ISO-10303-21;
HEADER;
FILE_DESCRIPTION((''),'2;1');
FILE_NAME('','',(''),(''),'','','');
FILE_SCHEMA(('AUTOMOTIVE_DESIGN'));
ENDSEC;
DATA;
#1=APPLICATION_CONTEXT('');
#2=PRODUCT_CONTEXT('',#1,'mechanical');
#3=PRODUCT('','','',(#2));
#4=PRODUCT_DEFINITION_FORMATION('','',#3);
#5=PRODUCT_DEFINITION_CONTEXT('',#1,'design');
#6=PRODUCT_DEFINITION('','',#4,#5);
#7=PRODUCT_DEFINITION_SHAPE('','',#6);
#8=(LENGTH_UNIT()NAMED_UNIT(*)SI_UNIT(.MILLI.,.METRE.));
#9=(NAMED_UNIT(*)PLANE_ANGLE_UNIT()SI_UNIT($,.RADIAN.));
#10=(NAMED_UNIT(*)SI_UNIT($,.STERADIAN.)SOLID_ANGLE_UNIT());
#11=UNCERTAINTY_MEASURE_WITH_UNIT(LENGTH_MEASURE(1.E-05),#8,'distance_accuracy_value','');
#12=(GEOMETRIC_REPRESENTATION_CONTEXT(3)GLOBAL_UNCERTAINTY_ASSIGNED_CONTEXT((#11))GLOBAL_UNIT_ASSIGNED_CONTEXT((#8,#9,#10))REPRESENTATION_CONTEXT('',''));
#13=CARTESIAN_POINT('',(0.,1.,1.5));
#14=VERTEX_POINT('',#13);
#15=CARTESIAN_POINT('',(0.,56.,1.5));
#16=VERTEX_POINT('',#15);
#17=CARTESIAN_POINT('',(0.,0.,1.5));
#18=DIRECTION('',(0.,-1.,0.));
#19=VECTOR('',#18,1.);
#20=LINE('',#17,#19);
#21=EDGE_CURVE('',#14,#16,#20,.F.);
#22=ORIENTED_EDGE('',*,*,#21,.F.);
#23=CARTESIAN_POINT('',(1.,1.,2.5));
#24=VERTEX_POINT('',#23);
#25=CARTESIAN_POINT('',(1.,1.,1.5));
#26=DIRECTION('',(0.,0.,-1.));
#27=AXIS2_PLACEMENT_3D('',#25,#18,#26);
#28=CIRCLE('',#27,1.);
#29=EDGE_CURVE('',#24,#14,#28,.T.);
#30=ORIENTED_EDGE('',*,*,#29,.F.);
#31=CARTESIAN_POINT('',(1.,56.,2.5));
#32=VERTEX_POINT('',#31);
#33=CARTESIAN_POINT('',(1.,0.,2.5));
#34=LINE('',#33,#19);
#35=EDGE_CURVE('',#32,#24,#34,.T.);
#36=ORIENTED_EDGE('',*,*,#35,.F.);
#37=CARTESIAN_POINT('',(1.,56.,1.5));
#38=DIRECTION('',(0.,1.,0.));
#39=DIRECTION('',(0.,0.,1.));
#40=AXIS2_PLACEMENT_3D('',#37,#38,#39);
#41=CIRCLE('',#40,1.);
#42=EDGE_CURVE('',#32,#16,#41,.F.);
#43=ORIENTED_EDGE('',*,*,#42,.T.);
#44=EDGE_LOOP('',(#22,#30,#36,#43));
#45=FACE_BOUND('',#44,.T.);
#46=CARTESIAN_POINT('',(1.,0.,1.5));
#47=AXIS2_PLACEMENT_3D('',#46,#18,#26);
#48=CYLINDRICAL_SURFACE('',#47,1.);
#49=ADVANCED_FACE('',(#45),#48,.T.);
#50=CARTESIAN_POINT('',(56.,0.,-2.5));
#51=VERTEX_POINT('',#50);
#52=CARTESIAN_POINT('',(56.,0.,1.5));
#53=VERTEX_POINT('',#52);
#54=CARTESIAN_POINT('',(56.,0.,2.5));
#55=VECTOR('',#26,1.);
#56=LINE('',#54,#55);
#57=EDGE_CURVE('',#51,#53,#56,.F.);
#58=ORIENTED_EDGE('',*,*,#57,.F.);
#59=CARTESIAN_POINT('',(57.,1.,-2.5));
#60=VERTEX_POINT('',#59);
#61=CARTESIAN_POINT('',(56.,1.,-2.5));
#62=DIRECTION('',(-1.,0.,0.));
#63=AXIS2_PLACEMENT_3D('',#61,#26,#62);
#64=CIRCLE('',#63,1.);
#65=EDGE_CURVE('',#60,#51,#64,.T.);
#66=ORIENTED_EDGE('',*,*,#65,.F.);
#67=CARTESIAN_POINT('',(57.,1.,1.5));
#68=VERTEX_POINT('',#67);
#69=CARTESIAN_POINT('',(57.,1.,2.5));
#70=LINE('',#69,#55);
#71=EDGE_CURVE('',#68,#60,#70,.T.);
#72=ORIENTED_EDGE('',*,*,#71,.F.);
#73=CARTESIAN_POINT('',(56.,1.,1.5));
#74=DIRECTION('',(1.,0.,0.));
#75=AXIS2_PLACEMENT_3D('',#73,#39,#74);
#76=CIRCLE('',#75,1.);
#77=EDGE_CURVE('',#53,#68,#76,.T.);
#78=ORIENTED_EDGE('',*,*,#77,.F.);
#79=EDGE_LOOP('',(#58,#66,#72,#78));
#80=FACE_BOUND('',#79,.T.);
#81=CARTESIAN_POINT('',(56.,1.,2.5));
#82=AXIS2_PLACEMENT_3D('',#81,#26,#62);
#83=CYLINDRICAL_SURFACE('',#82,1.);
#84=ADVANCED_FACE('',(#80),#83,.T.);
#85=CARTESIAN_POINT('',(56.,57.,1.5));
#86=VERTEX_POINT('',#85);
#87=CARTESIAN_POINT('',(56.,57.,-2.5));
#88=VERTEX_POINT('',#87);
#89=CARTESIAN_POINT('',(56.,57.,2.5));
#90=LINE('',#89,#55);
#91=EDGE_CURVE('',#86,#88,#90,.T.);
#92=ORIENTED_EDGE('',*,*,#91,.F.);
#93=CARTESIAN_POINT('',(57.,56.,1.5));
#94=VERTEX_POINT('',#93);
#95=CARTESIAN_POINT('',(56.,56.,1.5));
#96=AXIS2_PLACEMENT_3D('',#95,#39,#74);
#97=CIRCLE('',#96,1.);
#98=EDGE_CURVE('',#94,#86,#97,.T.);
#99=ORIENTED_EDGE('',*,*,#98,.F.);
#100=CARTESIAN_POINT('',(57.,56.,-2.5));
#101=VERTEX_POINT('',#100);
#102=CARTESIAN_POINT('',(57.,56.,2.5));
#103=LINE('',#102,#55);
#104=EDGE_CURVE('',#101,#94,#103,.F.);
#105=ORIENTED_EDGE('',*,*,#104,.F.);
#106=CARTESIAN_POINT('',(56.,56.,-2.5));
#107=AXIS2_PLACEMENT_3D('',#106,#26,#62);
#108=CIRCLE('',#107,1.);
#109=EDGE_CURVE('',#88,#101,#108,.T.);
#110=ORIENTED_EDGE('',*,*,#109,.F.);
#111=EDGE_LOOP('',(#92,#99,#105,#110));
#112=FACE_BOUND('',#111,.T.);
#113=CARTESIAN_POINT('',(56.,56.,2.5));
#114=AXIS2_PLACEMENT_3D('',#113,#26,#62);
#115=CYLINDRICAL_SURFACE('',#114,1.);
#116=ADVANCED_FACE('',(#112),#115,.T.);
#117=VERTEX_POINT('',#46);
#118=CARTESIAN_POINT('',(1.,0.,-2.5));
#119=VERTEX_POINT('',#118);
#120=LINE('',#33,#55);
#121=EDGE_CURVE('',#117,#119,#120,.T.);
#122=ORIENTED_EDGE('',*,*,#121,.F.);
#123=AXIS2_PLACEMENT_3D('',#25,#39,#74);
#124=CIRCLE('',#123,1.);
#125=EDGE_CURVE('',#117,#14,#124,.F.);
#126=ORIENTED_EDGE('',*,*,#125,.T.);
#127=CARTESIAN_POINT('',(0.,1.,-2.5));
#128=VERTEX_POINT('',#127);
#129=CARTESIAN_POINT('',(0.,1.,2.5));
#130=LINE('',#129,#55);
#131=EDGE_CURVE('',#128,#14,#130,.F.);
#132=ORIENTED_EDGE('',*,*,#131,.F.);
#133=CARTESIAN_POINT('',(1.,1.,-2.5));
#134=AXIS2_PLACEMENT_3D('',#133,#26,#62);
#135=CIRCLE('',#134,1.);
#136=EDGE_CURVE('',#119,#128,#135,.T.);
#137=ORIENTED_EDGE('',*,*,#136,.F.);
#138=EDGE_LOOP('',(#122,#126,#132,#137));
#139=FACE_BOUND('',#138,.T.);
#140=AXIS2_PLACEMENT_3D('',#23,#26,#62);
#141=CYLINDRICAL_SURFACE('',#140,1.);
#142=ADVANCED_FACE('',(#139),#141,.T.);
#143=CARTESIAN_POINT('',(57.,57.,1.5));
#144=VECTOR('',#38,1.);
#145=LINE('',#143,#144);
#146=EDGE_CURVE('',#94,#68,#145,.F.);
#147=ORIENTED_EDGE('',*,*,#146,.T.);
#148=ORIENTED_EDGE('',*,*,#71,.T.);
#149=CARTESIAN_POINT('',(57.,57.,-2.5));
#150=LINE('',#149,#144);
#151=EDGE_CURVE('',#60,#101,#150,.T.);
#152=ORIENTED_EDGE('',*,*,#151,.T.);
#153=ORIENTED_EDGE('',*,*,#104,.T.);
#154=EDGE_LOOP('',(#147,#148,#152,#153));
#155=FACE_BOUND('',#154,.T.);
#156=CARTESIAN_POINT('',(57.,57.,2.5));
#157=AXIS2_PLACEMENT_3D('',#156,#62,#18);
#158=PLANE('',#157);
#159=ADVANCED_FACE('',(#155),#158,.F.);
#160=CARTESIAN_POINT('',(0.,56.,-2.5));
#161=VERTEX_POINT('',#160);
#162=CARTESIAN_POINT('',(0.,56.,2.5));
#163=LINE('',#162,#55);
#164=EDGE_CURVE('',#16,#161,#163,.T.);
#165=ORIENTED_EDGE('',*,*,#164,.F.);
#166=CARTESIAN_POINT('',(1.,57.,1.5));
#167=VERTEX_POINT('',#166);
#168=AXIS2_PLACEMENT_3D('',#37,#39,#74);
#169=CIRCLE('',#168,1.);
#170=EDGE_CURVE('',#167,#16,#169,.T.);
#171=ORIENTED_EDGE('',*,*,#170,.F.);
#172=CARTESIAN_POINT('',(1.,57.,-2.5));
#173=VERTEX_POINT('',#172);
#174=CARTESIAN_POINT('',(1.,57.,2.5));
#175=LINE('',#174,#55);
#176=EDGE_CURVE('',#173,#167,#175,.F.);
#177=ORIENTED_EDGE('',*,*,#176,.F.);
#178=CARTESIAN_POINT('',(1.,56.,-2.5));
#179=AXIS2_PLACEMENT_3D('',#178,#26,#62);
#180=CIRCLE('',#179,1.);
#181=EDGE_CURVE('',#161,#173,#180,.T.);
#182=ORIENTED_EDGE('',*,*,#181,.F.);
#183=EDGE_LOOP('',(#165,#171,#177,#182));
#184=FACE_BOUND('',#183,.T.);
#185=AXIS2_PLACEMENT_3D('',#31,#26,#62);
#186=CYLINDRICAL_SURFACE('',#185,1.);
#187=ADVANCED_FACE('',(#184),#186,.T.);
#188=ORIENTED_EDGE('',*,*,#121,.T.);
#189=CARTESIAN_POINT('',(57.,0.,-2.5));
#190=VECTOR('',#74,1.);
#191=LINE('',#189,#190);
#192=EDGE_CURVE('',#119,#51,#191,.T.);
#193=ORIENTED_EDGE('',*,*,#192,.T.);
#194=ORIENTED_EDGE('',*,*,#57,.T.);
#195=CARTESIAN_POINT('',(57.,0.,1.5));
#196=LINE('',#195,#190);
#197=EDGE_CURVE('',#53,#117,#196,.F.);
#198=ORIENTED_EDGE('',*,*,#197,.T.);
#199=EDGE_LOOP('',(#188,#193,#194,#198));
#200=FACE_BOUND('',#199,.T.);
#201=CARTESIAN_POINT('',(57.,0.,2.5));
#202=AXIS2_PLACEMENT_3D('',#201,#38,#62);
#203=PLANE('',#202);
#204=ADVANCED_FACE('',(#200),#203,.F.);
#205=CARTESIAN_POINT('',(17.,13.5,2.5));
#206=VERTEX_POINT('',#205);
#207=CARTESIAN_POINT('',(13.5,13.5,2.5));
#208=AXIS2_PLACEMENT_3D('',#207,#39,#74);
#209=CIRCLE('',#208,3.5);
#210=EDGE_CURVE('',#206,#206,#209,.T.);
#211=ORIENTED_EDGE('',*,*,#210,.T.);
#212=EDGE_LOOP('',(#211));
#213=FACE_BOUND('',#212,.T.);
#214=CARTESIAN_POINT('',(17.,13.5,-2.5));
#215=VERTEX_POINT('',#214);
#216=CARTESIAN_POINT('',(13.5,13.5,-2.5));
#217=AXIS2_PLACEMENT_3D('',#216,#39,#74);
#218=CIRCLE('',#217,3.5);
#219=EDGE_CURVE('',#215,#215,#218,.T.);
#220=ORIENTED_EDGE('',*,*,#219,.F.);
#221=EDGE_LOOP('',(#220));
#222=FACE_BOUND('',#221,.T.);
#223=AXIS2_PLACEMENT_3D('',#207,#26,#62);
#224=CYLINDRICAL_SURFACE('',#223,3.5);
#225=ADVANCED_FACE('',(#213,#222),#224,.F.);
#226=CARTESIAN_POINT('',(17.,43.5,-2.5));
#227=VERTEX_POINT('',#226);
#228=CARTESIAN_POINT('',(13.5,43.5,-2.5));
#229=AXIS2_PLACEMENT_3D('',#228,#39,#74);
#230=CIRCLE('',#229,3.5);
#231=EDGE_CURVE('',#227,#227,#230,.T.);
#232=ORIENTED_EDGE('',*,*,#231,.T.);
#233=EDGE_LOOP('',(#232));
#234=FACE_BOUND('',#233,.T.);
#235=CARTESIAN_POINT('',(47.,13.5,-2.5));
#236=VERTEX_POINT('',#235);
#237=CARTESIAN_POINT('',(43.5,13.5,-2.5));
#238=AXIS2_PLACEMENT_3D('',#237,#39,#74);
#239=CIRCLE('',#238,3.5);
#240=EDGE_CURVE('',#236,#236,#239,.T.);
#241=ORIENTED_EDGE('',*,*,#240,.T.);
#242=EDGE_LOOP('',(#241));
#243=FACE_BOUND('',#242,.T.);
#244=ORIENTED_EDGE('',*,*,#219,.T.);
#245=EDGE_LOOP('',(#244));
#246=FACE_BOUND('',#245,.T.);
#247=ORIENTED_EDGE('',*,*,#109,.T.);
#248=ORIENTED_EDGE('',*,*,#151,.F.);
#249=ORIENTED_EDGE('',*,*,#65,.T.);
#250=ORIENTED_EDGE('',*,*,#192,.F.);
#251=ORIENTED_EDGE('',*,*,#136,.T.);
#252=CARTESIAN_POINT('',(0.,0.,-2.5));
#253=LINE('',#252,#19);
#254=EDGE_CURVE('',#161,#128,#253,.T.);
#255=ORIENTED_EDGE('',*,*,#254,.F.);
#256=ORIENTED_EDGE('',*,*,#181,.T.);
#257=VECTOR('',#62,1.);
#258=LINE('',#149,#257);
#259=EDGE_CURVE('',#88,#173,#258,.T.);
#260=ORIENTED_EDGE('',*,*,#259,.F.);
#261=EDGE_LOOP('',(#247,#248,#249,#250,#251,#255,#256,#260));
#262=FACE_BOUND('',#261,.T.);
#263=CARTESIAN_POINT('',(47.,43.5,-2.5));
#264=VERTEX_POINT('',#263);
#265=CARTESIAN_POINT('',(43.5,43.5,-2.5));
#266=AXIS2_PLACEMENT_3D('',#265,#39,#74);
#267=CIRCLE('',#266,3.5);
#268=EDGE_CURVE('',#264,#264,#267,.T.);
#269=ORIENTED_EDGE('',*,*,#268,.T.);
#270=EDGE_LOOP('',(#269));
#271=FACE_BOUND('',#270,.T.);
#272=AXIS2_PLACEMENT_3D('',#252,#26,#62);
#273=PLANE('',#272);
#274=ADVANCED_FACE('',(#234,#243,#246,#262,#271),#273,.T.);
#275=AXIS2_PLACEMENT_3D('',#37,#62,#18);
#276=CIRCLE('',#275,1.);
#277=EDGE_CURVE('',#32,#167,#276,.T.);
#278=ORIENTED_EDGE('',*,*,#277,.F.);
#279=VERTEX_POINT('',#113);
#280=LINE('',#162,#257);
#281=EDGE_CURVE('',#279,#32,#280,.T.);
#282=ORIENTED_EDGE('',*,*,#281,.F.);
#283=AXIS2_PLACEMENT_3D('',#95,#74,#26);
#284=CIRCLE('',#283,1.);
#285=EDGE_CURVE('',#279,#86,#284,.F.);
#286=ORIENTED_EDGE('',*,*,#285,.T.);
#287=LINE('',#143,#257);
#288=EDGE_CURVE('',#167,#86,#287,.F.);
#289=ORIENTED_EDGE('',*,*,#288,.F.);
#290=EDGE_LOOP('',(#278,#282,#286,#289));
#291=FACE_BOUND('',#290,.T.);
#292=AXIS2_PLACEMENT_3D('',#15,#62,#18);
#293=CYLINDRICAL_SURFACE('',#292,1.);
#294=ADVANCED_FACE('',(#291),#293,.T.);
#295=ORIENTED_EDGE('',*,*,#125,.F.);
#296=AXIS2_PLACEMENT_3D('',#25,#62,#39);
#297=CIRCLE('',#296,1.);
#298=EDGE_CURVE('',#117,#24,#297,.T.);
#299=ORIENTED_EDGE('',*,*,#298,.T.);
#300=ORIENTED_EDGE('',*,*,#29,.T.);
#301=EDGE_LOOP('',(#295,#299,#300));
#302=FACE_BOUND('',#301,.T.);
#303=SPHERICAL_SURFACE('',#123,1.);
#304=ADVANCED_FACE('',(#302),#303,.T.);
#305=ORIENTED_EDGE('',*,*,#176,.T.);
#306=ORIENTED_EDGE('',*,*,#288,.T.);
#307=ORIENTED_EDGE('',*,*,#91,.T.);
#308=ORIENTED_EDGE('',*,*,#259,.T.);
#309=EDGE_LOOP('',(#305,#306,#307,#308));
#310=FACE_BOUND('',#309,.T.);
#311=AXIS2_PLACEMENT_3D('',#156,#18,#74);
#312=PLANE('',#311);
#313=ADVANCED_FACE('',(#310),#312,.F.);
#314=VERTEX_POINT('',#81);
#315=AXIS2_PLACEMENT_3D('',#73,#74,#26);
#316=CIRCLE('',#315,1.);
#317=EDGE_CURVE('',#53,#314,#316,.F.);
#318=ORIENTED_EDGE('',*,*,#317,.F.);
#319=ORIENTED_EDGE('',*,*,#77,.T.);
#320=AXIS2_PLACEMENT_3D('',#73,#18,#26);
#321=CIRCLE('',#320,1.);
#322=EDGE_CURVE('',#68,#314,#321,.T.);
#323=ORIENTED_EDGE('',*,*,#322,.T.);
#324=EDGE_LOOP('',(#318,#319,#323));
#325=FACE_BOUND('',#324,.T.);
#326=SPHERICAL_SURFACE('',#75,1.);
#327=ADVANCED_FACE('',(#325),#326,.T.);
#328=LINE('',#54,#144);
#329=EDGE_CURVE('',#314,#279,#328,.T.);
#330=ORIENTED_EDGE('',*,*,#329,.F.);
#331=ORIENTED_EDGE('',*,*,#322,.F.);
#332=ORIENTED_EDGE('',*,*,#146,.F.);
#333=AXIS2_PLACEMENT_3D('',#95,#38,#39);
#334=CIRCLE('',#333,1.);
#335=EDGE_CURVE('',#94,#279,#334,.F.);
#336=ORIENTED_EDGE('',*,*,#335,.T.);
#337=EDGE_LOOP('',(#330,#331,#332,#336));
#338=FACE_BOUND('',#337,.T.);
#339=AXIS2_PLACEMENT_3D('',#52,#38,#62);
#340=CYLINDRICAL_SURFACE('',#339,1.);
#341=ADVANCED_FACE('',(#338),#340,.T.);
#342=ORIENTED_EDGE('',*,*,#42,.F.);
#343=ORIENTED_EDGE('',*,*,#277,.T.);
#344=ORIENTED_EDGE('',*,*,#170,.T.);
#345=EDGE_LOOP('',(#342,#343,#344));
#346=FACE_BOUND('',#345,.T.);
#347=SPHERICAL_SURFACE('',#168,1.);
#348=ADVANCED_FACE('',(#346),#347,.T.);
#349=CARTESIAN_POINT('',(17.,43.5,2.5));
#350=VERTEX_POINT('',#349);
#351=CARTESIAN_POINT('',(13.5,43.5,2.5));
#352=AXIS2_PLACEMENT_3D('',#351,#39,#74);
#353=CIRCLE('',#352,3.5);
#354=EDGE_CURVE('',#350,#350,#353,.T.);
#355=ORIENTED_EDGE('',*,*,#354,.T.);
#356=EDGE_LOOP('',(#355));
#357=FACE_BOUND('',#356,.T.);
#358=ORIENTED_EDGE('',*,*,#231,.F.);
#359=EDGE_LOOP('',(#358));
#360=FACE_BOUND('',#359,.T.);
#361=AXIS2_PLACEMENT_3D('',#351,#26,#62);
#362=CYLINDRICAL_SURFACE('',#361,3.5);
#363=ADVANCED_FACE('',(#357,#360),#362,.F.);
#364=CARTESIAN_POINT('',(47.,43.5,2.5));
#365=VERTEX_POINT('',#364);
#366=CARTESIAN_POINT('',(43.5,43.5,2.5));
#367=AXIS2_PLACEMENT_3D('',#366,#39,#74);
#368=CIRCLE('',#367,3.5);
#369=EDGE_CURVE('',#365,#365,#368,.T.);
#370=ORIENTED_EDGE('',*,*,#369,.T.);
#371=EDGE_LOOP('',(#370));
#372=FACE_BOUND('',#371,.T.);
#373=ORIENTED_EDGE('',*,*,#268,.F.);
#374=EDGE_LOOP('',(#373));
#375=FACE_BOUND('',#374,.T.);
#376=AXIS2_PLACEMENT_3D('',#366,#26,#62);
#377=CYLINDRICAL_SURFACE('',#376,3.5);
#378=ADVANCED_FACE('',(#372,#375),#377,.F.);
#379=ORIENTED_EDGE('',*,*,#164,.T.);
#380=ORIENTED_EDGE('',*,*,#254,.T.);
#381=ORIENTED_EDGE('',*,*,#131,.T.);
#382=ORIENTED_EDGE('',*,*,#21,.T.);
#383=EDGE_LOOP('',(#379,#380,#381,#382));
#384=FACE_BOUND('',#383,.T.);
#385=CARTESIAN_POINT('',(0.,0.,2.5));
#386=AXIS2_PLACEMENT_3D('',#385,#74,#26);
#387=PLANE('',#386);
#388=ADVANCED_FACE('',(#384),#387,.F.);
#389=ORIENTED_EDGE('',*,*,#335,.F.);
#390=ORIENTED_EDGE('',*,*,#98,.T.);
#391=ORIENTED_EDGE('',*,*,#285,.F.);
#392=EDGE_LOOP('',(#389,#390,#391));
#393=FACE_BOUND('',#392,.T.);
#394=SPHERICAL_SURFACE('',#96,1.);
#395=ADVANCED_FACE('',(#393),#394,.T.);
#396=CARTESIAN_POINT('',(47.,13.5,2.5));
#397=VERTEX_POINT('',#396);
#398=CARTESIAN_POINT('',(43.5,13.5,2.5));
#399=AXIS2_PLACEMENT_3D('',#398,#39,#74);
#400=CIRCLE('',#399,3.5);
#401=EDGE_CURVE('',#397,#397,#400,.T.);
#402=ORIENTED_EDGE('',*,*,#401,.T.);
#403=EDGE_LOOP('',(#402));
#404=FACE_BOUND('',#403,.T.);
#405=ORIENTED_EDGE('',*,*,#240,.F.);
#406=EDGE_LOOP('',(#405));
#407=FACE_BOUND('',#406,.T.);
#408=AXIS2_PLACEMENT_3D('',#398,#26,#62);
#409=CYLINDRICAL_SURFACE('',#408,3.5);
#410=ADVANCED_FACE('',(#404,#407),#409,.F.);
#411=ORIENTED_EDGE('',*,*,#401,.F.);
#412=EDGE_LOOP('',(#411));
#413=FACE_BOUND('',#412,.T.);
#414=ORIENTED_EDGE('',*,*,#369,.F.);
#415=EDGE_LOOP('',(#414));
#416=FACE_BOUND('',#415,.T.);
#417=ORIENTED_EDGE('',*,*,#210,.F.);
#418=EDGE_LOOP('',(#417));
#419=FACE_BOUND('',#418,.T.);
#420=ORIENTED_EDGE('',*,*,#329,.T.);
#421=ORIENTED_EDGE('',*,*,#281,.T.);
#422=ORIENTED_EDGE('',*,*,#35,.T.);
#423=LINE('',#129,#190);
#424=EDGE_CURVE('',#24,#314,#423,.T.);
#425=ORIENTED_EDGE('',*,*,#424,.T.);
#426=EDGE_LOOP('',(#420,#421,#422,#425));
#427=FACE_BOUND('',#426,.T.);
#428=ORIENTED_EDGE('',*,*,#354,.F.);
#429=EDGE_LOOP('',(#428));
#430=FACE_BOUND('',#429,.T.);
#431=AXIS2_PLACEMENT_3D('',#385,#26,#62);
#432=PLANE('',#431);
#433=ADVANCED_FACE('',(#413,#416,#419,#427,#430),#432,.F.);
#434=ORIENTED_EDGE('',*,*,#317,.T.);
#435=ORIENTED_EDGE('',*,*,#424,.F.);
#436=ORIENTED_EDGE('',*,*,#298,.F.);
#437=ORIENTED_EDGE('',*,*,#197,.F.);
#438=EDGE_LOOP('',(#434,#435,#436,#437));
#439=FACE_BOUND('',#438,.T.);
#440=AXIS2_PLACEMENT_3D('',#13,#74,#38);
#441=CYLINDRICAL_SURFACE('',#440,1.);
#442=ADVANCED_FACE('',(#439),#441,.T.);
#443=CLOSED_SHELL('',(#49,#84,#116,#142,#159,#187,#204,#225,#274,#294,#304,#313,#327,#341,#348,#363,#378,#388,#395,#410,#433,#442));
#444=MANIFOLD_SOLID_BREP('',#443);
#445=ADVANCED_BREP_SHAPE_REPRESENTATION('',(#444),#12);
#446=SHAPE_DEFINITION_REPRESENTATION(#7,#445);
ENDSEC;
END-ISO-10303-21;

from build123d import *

# Parameters (mm, degrees)
SKETCH1_W           = 57
SKETCH1_H           = 57
SKETCH1_R           = 3.5
BOSS_EXTRUDE1_DEPTH = 2.5
FILLET1_R           = 1


with BuildPart() as part:
    # Sketch1 → Boss-Extrude1 (new body, symmetric)
    with BuildSketch(Plane.XY):
        with Locations((28.5, 28.5)):
            Rectangle(SKETCH1_W, SKETCH1_H)
        with Locations((13.5, 13.5)):
            Circle(SKETCH1_R, mode=Mode.SUBTRACT)
        with Locations((43.5, 13.5)):
            Circle(SKETCH1_R, mode=Mode.SUBTRACT)
        with Locations((13.5, 43.5)):
            Circle(SKETCH1_R, mode=Mode.SUBTRACT)
        with Locations((43.5, 43.5)):
            Circle(SKETCH1_R, mode=Mode.SUBTRACT)
    extrude(amount=BOSS_EXTRUDE1_DEPTH, both=True)

    # Fillet1
    fillet1_edges = [part.edges().sort_by_distance(p)[0] for p in [
        (28.5, 57, 2.5),
        (0, 28.5, 2.5),
        (28.5, 0, 2.5),
        (57, 28.5, 2.5),
        (0, 0, 0),
        (0, 57, 0),
        (57, 57, 0),
        (57, 0, 0),
    ]]
    fillet(fillet1_edges, radius=FILLET1_R)


solid = part.part
